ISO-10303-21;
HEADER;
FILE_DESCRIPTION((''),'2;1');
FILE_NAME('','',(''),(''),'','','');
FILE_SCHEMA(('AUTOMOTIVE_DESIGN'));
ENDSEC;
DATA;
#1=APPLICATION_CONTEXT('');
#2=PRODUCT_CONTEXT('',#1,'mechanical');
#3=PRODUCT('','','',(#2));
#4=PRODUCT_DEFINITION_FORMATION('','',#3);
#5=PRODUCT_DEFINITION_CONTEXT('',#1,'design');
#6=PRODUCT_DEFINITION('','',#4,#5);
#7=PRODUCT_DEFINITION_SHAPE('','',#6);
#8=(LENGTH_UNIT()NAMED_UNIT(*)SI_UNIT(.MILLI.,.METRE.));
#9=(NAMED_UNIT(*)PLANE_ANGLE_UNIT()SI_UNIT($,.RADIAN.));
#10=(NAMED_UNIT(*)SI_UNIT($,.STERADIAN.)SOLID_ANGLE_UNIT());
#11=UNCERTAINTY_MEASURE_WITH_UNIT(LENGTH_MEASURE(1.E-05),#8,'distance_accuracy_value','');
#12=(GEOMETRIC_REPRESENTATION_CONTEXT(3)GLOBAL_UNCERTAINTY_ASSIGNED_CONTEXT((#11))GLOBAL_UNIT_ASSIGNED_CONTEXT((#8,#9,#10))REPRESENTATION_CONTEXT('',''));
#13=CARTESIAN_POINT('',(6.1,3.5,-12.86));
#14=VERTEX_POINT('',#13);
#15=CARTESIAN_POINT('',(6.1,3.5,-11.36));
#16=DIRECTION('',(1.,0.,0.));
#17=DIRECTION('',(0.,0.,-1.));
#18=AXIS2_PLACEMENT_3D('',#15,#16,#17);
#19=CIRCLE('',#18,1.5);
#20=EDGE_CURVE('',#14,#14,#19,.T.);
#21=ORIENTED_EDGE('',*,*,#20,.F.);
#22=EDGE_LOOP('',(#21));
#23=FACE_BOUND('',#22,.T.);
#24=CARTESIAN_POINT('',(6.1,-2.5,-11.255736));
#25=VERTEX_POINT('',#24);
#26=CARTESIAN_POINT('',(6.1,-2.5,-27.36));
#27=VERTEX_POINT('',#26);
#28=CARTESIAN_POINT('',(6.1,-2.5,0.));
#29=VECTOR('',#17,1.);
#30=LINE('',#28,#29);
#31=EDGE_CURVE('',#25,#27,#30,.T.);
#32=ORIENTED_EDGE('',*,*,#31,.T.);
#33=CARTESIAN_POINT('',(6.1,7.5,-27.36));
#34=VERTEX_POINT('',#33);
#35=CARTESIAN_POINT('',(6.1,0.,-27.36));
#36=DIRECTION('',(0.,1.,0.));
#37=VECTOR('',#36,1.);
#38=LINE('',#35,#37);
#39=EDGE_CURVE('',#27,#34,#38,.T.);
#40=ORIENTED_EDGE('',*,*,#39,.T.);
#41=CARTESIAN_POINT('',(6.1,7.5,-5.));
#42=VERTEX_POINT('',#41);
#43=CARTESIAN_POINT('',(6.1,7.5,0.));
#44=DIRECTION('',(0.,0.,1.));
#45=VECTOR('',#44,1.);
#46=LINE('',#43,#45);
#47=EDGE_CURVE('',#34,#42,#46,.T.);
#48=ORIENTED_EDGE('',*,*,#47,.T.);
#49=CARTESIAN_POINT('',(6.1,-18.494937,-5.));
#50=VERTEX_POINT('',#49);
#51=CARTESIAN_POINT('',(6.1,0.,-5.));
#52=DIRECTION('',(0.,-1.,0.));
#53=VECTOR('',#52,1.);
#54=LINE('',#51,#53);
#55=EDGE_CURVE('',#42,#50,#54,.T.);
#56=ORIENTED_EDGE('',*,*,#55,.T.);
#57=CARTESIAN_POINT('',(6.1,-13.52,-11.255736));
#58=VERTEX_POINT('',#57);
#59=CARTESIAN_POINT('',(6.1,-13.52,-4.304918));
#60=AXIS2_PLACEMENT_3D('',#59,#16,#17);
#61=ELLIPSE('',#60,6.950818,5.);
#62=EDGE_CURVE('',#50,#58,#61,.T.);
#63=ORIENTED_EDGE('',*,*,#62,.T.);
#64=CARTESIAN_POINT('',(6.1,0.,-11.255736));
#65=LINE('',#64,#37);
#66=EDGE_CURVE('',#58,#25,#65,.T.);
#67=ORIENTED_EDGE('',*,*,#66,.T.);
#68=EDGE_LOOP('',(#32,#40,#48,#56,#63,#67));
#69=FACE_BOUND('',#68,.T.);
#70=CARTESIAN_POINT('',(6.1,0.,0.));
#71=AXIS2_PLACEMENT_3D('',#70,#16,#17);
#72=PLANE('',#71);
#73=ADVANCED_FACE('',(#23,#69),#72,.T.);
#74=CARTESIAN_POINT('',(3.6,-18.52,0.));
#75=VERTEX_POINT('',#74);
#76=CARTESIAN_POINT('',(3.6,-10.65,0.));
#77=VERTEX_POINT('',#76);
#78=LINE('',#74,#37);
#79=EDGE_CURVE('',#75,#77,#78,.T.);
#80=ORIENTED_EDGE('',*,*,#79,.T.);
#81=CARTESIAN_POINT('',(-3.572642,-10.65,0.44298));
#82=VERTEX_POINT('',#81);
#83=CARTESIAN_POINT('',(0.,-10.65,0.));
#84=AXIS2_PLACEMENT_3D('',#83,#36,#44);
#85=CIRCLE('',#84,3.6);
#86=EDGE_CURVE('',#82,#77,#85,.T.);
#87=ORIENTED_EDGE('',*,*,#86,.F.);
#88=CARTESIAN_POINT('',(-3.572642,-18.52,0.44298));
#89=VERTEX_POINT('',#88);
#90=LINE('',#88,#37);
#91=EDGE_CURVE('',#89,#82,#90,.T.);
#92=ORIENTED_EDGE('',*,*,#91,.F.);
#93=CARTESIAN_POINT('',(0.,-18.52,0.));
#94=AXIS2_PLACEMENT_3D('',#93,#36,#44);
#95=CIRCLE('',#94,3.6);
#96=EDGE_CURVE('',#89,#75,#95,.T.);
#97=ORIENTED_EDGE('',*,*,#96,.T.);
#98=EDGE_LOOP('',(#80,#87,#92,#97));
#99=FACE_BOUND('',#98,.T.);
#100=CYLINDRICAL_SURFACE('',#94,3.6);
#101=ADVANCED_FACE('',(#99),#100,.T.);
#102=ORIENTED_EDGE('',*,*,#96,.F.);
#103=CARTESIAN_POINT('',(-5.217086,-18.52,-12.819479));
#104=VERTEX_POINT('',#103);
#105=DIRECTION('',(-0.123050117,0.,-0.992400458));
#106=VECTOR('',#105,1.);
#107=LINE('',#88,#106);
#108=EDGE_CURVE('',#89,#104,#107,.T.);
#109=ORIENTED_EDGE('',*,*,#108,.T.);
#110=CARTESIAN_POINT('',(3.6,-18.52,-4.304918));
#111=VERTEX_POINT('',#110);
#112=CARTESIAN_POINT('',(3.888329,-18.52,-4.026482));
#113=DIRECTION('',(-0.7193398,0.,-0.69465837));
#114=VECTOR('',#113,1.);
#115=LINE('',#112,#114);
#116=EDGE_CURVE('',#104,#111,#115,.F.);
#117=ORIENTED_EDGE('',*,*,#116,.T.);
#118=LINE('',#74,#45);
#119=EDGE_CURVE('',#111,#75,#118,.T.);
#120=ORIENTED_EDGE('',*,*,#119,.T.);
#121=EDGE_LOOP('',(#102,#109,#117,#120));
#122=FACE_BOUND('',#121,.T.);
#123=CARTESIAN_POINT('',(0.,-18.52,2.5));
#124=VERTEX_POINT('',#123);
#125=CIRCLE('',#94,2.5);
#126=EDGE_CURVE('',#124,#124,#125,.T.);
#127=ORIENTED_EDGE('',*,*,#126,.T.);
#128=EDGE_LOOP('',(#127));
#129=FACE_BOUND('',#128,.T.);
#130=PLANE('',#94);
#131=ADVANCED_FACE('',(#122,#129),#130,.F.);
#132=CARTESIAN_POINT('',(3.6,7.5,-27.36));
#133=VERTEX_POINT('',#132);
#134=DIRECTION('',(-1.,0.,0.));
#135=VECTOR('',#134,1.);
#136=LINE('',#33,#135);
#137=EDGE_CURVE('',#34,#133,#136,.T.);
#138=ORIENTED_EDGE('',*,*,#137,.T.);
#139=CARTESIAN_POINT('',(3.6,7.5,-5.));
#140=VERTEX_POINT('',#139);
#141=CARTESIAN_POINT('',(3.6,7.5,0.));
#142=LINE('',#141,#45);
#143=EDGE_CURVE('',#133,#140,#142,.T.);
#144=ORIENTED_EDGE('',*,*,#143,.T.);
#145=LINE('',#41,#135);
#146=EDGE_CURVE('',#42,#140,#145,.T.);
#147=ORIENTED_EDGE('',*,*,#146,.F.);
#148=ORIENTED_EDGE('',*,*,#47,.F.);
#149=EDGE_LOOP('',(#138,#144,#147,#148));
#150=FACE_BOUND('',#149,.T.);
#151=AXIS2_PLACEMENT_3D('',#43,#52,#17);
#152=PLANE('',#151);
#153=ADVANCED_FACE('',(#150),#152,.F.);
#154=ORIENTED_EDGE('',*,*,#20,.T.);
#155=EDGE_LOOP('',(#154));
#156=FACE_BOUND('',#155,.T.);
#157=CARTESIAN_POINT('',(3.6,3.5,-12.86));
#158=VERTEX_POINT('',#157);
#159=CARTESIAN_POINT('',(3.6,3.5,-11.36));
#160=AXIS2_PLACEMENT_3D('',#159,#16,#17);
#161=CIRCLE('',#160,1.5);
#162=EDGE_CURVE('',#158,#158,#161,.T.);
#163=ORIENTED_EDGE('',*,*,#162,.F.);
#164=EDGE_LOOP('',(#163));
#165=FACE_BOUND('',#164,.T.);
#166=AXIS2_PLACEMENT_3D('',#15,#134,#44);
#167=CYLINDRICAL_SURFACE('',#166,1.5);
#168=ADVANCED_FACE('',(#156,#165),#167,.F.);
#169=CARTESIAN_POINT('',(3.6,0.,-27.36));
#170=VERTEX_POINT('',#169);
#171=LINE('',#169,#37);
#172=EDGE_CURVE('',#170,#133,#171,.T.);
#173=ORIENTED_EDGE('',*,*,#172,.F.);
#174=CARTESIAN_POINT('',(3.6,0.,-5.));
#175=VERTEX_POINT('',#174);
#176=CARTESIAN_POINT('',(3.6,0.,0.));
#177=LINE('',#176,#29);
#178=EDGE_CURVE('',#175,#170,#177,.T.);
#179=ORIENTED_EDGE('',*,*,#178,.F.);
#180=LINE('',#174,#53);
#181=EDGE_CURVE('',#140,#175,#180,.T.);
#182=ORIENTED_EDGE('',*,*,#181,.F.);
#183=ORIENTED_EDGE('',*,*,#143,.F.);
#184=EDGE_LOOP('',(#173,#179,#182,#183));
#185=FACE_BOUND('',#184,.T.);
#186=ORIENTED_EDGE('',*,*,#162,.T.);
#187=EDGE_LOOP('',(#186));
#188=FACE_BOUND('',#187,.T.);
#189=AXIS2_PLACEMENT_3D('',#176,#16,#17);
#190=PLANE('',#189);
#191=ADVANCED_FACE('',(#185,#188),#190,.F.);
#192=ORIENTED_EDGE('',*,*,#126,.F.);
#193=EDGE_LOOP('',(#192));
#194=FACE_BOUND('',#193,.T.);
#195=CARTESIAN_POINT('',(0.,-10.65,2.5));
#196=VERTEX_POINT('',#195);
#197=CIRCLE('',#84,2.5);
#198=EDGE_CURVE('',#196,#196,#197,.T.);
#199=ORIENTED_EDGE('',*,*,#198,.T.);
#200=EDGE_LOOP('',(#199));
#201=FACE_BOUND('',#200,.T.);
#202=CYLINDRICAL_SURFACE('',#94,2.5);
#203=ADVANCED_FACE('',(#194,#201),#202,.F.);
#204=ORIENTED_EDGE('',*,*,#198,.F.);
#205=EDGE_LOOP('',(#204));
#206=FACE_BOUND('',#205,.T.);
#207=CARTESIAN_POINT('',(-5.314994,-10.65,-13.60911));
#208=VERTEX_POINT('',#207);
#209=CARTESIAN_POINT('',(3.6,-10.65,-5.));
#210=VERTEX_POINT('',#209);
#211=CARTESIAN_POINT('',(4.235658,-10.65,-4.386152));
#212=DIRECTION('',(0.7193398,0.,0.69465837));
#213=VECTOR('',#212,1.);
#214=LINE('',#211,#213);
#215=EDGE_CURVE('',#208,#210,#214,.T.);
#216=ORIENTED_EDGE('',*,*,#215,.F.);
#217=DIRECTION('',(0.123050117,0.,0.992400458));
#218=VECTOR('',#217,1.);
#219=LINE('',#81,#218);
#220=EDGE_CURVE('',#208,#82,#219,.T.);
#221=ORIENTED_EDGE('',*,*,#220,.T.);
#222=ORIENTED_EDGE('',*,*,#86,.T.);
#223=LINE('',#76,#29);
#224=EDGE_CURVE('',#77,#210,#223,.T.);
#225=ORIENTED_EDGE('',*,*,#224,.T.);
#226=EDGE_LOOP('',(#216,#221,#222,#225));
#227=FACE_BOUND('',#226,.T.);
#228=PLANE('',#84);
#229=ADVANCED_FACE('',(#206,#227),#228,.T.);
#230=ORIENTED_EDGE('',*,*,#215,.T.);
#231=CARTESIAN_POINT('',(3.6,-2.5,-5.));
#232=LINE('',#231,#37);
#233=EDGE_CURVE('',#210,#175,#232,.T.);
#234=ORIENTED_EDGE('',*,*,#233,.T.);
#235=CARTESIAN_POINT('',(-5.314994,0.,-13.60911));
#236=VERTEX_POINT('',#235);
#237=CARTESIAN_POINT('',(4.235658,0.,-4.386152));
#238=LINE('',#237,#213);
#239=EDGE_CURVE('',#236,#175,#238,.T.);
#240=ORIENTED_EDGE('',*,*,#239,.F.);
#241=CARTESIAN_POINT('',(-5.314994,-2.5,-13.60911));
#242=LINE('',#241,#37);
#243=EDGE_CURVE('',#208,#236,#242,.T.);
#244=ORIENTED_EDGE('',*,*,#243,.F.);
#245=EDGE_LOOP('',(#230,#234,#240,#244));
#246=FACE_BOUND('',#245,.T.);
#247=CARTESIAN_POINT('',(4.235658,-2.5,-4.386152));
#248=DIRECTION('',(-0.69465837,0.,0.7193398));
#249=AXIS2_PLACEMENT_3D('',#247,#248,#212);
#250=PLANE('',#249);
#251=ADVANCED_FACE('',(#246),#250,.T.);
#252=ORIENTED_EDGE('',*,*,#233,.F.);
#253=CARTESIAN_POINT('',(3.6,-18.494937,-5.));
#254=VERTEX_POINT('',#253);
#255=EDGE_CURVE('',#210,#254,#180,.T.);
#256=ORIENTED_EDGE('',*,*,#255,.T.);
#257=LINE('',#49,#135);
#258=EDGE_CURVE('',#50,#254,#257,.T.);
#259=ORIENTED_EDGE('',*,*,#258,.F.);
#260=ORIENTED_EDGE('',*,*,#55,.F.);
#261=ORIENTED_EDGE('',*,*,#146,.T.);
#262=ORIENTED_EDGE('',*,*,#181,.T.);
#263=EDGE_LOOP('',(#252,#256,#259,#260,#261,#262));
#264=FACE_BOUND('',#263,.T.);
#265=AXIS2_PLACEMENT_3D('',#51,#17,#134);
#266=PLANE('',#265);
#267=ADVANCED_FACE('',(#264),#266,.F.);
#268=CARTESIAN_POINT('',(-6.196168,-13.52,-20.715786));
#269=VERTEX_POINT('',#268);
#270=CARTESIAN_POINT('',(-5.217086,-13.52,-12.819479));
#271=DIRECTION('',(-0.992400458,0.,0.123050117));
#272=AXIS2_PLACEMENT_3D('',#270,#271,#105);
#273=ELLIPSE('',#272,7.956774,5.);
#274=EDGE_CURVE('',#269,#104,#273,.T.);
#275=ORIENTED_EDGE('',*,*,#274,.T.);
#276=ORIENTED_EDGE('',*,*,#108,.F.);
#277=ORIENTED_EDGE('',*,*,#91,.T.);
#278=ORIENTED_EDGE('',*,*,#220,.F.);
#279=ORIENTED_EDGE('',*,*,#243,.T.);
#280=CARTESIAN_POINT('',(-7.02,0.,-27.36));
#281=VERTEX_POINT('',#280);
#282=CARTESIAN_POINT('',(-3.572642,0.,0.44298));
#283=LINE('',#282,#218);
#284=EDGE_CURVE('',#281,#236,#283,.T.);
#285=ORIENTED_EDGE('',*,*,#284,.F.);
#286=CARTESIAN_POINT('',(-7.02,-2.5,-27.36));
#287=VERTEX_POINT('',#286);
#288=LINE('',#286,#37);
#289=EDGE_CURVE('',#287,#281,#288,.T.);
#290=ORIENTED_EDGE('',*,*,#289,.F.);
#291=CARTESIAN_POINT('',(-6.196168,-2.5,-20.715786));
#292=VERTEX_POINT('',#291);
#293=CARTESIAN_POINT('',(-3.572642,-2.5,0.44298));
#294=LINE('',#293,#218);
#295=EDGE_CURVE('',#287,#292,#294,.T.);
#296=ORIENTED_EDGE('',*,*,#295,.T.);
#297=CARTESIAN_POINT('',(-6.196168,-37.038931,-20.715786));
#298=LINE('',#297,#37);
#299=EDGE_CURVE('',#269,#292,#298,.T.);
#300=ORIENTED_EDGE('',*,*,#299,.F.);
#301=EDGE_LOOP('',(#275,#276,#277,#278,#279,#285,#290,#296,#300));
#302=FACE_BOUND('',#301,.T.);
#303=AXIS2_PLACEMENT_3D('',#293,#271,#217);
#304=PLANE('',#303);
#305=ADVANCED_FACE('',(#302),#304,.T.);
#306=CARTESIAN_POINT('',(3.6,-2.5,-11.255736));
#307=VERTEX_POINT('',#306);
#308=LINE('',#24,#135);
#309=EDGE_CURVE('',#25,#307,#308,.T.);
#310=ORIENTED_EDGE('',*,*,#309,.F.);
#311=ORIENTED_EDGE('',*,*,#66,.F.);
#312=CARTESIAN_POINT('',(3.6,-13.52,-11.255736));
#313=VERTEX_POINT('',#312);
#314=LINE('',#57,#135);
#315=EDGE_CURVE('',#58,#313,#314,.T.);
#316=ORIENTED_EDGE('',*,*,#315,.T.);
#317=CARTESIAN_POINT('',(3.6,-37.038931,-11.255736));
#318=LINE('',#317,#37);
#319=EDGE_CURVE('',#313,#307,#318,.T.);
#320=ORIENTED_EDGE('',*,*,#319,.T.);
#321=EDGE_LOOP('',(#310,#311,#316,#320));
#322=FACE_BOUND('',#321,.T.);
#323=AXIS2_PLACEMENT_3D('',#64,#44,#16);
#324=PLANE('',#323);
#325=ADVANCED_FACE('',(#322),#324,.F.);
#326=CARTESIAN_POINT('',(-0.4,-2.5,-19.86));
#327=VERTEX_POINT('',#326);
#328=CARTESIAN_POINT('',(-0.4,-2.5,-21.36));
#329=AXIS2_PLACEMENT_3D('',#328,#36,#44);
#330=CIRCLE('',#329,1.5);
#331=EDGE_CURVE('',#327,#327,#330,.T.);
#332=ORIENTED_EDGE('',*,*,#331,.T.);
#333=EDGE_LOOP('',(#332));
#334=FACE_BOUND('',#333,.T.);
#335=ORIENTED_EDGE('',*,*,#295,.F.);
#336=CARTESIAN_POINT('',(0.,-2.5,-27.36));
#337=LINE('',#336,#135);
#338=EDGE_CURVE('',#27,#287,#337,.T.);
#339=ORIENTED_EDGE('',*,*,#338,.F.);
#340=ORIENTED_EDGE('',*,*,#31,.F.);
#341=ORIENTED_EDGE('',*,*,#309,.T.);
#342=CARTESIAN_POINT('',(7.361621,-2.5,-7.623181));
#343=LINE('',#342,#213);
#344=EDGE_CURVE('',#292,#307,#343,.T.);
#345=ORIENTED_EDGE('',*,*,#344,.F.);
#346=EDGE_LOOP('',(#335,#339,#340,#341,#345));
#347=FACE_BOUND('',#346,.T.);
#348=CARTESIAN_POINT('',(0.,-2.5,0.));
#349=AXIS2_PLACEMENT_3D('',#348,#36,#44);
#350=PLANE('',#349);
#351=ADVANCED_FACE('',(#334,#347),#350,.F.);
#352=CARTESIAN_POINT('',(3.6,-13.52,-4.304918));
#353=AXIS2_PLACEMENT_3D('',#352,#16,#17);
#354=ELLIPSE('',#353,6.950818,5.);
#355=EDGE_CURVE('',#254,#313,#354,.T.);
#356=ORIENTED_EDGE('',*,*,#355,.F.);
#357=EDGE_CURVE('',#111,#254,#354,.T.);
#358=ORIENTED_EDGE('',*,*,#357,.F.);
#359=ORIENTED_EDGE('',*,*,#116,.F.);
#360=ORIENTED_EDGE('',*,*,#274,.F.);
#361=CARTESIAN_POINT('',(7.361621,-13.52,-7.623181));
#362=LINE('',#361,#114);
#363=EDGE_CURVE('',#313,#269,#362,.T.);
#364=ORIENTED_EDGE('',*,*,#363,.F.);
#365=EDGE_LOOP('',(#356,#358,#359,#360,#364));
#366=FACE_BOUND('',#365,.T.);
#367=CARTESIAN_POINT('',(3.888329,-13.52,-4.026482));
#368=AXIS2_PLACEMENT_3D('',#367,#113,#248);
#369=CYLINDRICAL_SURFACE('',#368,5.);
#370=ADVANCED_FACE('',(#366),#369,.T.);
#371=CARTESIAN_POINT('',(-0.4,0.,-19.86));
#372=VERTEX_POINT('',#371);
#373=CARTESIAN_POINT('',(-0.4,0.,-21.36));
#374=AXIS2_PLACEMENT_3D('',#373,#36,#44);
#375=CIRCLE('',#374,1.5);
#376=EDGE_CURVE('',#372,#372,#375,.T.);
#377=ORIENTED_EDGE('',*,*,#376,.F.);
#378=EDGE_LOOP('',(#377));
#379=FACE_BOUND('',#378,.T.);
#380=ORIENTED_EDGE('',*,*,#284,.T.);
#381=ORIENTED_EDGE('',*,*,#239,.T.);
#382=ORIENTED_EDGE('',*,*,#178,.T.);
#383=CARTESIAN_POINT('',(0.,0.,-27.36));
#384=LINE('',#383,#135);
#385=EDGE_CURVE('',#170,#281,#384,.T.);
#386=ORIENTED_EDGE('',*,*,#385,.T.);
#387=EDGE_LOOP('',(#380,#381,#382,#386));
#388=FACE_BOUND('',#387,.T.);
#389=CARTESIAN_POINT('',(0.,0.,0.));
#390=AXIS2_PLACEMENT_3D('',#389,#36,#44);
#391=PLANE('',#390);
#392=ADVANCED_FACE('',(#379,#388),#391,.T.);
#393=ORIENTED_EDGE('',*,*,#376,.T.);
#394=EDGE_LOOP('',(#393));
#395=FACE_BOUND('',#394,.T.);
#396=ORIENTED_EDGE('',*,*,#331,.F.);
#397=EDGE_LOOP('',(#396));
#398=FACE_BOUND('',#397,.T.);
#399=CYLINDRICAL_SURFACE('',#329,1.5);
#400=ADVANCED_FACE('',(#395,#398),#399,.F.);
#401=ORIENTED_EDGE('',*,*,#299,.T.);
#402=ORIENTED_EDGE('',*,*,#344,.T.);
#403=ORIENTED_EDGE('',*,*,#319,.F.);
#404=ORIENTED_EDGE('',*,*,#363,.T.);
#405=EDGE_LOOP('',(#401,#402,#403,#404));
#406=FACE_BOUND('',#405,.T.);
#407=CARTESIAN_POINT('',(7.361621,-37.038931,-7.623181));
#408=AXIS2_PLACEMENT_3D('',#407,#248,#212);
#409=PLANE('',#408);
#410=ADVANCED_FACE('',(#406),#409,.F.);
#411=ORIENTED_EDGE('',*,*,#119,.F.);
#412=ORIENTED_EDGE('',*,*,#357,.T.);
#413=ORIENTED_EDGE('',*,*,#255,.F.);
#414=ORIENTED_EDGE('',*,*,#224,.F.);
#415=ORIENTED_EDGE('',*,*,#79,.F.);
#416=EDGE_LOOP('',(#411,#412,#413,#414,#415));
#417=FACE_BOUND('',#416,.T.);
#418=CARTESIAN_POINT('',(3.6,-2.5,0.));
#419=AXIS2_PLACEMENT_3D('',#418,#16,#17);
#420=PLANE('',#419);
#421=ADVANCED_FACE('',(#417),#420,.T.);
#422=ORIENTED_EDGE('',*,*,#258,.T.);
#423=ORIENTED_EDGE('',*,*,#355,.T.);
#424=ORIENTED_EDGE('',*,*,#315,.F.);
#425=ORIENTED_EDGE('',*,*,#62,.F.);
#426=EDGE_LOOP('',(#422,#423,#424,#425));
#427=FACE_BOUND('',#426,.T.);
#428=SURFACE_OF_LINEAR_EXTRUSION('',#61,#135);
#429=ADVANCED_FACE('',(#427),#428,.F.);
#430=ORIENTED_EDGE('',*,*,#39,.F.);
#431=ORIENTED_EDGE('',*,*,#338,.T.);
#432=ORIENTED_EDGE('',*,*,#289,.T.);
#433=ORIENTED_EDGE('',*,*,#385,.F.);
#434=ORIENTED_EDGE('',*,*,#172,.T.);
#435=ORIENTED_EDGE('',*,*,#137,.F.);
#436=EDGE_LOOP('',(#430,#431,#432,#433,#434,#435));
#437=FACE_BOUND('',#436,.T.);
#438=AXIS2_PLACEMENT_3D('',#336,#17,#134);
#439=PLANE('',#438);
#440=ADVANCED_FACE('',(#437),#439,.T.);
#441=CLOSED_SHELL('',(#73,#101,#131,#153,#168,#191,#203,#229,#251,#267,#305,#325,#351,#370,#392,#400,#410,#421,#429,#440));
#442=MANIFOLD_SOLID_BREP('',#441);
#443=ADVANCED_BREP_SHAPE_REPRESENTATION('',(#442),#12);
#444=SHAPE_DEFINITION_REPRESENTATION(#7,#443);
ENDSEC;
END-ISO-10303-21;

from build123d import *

# Parameters (mm, degrees)
CROQUIS1_R              = 1.5
SALIENTE_EXTRUIR1_DEPTH = 2.5
SALIENTE_EXTRUIR2_START = -10.65
CROQUIS1_4_R            = 2.5
SALIENTE_EXTRUIR2_DEPTH = 7.87
SALIENTE_EXTRUIR3_DEPTH = 18.52
REDONDEO1_R             = 5
CROQUIS3_W              = 22.36
CROQUIS3_H              = 7.5
CROQUIS3_R              = 1.5
SALIENTE_EXTRUIR4_DEPTH = 2.5


with BuildPart() as part:
    # Croquis1 → Saliente-Extruir1 (new body)
    # profile 1 of 2: a face of its own
    with BuildSketch(Plane(origin=(0, 0, 0), x_dir=(1, 0, 0), z_dir=(0, 1, 0))):
        Polygon((3.6, 27.36), (-7.02, 27.36), (-6.196167881, 20.715785518), (3.6, 11.25573616), align=None)
        with Locations(Location((-0.4, 21.36, 0), (0, 0, 270))):
            Circle(CROQUIS1_R, mode=Mode.SUBTRACT)
    # profile 2 of 2: a face of its own
    with BuildSketch(Plane(origin=(0, 0, 0), x_dir=(1, 0, 0), z_dir=(0, 1, 0))):
        Polygon((3.6, 11.25573616), (-6.196167881, 20.715785518), (-5.314994069, 13.6091097), (3.6, 5), align=None)
    extrude(amount=-SALIENTE_EXTRUIR1_DEPTH)



with BuildPart() as body_2:
    # Croquis1<4> → Saliente-Extruir2 (new body)
    with BuildSketch(Plane(origin=(0, 0, 0), x_dir=(1, 0, 0), z_dir=(0, 1, 0)).offset(SALIENTE_EXTRUIR2_START)):
        with BuildLine():
            Line((3.6, 5), (-5.314994069, 13.6091097))
            Line((-5.314994069, 13.6091097), (-3.572641648, -0.442980423))
            ThreePointArc((-3.572641648, -0.442980423), (0.221912221, -3.593153902), (3.6, 0))
            Line((3.6, 0), (3.6, 5))
        make_face()
        with Locations(Location((0, 0, 0), (0, 0, 270))):
            Circle(CROQUIS1_4_R, mode=Mode.SUBTRACT)
    extrude(amount=-SALIENTE_EXTRUIR2_DEPTH)


with BuildPart() as part_1:
    add(part.part)

    add(body_2.part)  # Saliente-Extruir3 merges body 2
    # Croquis1<5> → Saliente-Extruir3 (add)
    with BuildSketch(Plane(origin=(0, 0, 0), x_dir=(1, 0, 0), z_dir=(0, 1, 0))):
        Polygon((3.6, 11.25573616), (-6.196167881, 20.715785518), (-5.314994069, 13.6091097), (3.6, 5), align=None)
    extrude(amount=-SALIENTE_EXTRUIR3_DEPTH)

    # Redondeo1
    redondeo1_edges = [part_1.edges().sort_by_distance(p)[0] for p in [
        (-1.29808394, -18.52, -15.985760839),
    ]]
    fillet(redondeo1_edges, radius=REDONDEO1_R)

    # Croquis3 → Saliente-Extruir4 (add)
    # profile 1 of 2: a face of its own
    with BuildSketch(Plane(origin=(3.6, 0, 0), x_dir=(0, 0, -1), z_dir=(1, 0, 0))):
        with BuildLine():
            Line((5, 0), (5, -10.65))
            Line((5, -10.65), (5, -18.494937186))
            add(Edge.make_bspline(
                [(5, -18.494937186), (11.25573616, -18.042670169), (11.25573616, -13.52)],
                knots=[4.821475205, 4.821475205, 4.821475205, 6.283185307, 6.283185307, 6.283185307], degree=2, weights=[0.962144349, 0.727447175, 1]))
            Line((11.25573616, -13.52), (11.25573616, -2.5))
            Line((11.25573616, -2.5), (27.36, -2.5))
            Line((27.36, -2.5), (27.36, 0))
            Line((27.36, 0), (5, 0))
        make_face()
    # profile 2 of 2: a face of its own
    with BuildSketch(Plane(origin=(3.6, 0, 0), x_dir=(0, 0, -1), z_dir=(1, 0, 0))):
        with Locations((16.18, 3.75)):
            Rectangle(CROQUIS3_W, CROQUIS3_H)
        with Locations((11.36, 3.5)):
            Circle(CROQUIS3_R, mode=Mode.SUBTRACT)
    extrude(amount=SALIENTE_EXTRUIR4_DEPTH)


solid = part_1.part
